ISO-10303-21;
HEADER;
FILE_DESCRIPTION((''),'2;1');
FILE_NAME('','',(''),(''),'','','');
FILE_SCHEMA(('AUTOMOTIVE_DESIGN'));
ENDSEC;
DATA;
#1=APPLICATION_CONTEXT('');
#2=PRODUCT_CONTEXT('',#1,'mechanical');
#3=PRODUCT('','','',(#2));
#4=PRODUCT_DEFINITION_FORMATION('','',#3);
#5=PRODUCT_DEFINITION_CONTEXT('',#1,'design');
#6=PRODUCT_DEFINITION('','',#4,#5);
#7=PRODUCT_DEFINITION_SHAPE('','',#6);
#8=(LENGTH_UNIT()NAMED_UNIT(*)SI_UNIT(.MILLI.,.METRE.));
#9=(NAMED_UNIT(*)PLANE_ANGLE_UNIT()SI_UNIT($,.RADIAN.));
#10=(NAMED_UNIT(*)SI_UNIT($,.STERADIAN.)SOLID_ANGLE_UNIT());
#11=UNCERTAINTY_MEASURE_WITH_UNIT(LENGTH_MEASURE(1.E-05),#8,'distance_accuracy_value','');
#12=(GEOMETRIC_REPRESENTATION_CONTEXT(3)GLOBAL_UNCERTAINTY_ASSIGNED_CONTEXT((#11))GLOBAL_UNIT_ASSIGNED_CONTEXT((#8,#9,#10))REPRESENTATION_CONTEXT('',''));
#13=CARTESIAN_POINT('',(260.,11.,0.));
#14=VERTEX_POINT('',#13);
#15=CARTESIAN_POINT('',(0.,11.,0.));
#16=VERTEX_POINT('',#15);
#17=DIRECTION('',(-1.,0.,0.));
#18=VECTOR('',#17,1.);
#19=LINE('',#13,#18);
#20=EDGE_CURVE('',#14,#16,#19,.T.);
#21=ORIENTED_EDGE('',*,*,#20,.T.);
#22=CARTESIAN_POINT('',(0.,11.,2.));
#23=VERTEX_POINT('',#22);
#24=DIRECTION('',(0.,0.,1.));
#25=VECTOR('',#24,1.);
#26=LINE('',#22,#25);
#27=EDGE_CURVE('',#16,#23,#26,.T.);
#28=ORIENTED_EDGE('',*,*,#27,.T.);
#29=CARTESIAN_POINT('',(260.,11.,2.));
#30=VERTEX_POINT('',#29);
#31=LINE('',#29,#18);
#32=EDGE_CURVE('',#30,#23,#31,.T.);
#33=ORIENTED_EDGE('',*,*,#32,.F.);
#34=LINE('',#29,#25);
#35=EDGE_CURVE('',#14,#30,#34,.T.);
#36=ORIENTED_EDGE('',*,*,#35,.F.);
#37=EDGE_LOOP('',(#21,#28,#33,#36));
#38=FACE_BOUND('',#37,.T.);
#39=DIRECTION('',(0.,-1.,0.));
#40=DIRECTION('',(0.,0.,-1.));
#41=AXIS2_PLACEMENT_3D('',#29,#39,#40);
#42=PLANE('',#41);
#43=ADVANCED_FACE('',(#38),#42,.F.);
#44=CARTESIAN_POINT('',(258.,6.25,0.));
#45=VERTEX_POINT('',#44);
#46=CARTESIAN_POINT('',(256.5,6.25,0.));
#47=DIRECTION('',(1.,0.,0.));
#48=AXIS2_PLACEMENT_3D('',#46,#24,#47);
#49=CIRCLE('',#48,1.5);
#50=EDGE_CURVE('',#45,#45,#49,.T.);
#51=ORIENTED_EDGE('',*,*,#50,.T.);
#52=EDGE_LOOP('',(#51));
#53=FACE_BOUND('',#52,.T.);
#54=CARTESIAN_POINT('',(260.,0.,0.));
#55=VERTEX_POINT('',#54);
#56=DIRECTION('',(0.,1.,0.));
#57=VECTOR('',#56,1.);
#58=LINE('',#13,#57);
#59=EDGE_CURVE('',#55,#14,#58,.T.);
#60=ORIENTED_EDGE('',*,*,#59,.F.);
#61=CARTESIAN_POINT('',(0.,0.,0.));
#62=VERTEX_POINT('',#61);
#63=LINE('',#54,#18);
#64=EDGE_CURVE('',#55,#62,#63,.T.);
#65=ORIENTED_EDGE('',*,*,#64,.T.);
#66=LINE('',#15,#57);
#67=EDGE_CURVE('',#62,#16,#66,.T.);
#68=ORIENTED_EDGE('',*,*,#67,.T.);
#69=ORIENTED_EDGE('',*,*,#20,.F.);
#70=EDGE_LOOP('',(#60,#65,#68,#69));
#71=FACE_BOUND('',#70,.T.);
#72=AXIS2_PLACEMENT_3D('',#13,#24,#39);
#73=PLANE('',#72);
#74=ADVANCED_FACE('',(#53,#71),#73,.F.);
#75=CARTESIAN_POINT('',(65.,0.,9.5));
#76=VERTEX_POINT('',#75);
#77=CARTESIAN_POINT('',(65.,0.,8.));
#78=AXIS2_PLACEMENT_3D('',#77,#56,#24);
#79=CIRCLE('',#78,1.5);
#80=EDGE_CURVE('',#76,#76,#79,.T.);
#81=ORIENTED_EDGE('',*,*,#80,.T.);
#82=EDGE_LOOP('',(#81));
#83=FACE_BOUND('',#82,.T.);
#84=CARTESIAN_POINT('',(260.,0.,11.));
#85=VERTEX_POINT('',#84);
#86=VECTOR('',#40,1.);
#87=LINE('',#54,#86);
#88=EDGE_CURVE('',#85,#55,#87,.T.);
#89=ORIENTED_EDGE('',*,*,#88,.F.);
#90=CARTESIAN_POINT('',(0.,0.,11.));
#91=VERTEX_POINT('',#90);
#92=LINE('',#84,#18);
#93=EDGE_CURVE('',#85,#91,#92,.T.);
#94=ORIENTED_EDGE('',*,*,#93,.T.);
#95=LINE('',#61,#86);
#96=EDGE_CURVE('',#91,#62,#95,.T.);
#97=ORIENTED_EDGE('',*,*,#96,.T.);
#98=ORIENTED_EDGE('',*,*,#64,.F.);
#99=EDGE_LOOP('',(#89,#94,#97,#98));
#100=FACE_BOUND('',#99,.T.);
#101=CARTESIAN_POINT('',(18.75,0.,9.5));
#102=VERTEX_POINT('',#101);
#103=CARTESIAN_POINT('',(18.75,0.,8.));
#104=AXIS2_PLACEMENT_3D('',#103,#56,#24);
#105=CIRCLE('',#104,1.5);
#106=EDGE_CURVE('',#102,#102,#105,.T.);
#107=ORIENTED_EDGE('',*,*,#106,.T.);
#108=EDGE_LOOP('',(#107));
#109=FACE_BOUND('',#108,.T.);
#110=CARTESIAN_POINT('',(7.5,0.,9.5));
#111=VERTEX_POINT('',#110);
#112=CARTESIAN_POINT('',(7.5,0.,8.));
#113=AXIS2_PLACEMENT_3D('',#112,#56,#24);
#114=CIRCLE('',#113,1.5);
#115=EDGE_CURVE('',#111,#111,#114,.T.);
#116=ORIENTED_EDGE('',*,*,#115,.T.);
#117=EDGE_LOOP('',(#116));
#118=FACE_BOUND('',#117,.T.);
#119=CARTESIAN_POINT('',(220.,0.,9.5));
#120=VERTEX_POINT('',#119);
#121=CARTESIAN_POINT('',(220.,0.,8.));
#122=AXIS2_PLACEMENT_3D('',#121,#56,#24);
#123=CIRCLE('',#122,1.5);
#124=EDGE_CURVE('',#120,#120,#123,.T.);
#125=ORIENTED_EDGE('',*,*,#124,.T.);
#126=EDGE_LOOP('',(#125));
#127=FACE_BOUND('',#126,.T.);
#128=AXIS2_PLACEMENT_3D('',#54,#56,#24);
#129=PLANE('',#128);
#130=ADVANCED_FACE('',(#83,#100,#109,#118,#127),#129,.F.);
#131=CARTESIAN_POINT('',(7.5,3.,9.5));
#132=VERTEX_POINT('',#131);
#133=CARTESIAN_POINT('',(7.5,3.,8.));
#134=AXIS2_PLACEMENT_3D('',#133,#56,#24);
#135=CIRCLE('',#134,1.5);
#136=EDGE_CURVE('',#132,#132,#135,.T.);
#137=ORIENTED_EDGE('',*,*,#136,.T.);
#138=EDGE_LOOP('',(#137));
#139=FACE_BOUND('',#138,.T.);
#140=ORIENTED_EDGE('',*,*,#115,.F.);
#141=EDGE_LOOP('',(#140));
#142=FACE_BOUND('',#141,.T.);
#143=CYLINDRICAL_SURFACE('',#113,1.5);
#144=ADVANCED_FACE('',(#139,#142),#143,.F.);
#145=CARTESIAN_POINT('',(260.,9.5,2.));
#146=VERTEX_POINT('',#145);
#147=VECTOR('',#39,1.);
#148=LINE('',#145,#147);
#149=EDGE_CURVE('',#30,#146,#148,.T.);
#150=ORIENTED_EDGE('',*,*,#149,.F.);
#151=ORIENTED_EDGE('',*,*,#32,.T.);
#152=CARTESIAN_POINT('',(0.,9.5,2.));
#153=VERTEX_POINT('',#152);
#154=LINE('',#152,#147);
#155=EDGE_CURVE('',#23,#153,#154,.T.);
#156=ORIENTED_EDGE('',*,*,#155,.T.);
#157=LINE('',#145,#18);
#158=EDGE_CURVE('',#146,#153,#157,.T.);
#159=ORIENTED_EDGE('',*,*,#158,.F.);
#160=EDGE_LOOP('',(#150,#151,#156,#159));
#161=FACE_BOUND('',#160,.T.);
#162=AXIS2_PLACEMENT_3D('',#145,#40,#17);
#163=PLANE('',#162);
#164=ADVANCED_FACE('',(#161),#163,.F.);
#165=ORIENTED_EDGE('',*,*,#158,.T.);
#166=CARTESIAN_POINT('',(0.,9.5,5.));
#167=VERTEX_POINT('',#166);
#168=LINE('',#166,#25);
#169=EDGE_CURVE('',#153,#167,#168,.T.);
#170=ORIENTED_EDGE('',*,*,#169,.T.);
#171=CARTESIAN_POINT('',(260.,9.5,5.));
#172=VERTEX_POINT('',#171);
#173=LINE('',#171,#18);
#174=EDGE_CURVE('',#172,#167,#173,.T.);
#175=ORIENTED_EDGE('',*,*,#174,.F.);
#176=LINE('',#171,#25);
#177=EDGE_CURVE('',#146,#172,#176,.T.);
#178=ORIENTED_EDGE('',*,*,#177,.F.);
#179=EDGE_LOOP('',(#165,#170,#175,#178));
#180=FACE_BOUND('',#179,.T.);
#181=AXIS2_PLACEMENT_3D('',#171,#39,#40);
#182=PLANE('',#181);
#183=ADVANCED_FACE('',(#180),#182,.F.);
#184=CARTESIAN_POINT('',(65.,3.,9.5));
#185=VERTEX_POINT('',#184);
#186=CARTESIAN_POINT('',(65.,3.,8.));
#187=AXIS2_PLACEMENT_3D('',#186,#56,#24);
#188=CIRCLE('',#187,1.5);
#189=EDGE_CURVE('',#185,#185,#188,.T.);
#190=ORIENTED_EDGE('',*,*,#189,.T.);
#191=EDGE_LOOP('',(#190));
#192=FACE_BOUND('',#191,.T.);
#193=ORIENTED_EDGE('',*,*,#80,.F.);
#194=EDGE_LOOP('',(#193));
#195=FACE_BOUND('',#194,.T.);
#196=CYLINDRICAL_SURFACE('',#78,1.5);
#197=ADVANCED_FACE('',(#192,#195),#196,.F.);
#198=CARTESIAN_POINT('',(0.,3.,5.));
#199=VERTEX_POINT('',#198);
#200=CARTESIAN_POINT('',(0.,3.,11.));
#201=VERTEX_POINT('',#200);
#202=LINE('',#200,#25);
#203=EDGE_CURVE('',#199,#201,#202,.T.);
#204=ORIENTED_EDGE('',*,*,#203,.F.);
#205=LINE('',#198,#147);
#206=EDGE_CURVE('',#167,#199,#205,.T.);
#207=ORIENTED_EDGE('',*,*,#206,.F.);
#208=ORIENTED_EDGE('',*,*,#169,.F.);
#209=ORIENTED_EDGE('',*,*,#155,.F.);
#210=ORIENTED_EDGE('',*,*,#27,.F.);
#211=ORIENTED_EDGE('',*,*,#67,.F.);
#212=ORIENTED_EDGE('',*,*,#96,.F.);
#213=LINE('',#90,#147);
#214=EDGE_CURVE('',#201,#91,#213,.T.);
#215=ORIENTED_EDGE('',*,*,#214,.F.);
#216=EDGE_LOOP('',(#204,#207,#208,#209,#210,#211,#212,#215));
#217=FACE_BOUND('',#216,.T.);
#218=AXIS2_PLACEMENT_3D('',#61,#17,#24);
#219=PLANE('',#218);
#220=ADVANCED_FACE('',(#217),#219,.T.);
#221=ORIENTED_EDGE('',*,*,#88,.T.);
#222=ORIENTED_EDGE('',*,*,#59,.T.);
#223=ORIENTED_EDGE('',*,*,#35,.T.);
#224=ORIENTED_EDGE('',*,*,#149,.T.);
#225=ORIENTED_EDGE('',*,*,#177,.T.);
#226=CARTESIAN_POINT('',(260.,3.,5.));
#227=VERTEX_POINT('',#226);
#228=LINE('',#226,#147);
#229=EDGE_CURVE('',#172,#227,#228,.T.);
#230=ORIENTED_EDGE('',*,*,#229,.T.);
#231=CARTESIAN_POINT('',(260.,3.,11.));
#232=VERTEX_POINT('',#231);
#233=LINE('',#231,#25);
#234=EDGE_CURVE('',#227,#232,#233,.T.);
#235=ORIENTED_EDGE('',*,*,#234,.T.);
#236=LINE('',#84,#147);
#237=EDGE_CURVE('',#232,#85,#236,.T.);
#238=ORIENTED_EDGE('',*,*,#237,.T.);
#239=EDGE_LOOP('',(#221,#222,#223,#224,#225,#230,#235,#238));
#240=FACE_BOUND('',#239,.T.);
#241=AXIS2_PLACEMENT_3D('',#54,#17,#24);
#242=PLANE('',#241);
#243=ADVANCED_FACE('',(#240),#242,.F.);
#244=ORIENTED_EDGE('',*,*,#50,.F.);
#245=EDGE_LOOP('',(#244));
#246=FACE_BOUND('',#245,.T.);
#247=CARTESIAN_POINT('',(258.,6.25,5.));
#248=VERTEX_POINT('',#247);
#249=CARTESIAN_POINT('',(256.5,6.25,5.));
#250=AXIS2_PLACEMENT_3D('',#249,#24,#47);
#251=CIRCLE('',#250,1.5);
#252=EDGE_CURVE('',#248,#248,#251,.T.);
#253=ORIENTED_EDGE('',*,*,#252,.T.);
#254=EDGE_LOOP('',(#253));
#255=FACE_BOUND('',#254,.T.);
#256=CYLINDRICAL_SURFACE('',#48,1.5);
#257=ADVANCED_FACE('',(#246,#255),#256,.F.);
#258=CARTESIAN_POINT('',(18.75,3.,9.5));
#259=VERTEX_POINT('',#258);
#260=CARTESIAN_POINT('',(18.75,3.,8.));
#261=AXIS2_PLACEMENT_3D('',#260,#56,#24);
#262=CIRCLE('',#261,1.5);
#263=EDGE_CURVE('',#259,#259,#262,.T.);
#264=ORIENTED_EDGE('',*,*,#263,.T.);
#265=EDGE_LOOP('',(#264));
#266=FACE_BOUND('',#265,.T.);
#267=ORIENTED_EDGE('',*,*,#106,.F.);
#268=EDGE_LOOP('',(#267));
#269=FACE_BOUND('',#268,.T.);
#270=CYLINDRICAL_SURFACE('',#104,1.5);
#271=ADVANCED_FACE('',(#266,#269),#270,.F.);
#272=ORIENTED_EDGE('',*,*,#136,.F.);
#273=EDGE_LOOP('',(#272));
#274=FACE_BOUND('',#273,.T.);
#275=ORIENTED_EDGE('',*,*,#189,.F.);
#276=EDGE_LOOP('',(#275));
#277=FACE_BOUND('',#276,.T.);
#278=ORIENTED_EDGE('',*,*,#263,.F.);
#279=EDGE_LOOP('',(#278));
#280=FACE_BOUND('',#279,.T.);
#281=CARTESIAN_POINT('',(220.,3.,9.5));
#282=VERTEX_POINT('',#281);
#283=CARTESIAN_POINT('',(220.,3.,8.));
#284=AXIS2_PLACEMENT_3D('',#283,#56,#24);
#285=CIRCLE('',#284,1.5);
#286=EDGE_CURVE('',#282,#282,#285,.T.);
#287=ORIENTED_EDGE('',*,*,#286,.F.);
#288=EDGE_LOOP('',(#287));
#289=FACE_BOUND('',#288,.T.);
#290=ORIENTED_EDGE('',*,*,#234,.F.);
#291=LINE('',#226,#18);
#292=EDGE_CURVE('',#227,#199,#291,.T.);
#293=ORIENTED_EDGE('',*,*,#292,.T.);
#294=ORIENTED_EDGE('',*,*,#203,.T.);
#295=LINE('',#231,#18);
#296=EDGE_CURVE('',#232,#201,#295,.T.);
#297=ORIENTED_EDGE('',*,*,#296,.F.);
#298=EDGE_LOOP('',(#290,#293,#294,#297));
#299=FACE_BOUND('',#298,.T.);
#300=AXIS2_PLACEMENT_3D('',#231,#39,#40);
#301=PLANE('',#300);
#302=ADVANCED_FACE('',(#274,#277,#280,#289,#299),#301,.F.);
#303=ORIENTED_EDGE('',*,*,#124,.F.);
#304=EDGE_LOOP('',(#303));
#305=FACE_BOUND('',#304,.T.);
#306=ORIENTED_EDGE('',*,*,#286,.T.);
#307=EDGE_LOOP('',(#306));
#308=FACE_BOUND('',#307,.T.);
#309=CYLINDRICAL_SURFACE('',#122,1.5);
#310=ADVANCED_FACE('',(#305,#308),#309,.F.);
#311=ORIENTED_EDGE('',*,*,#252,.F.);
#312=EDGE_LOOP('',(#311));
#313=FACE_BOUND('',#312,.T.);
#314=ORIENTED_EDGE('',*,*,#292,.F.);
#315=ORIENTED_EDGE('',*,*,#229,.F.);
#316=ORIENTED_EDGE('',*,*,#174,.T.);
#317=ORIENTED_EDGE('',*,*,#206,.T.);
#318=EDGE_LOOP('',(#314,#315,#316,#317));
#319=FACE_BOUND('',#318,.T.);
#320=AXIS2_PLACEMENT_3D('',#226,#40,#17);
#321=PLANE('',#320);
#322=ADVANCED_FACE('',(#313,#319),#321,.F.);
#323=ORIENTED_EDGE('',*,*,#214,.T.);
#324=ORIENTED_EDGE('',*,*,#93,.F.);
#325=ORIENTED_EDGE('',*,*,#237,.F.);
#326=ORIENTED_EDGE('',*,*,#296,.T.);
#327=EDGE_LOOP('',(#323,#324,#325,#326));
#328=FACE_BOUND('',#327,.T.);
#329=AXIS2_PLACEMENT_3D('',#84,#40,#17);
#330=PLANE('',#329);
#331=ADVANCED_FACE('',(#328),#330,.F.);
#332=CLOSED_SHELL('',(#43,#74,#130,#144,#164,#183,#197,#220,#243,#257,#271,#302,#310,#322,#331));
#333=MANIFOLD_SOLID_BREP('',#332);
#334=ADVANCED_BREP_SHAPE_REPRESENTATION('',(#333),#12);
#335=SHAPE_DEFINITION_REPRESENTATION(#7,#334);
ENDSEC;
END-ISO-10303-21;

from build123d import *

# Parameters (mm, degrees)
EXTRUDE_1_DEPTH     = 260
SKETCH_2_R          = 1.5
CUT_EXTRUDE_1_DEPTH = 6
SKETCH_3_R          = 1.5
CUT_EXTRUDE_2_DEPTH = 4
SKETCH_5_R          = 1.5
CUT_EXTRUDE_4_DEPTH = 4


with BuildPart() as part:
    # Эскиз1 → Бобышка-Вытянуть1 (new body)
    with BuildSketch(Plane(origin=(0, 0, 0), x_dir=(0, 0, -1), z_dir=(1, 0, 0))):
        Polygon((0, 0), (-11, 0), (-11, 3), (-5, 3), (-5, 9.5), (-2, 9.5), (-2, 11), (0, 11), align=None)
    extrude(amount=EXTRUDE_1_DEPTH)

    # Эскиз2 → Вырез-Вытянуть1 (cut, through all)
    with BuildSketch(Plane.XY.offset(5)):
        with Locations((256.5, 6.25)):
            Circle(SKETCH_2_R)
    extrude(amount=-CUT_EXTRUDE_1_DEPTH, mode=Mode.SUBTRACT)

    # Эскиз3 → Вырез-Вытянуть2 (cut, through all)
    with BuildSketch(Plane(origin=(0, 3, 0), x_dir=(1, 0, 0), z_dir=(0, 1, 0))):
        with Locations((7.5, -8)):
            Circle(SKETCH_3_R)
        with Locations((18.75, -8)):
            Circle(SKETCH_3_R)
    extrude(amount=-CUT_EXTRUDE_2_DEPTH, mode=Mode.SUBTRACT)

    # Эскиз5 → Вырез-Вытянуть4 (cut, through all)
    with BuildSketch(Plane(origin=(0, 3, 0), x_dir=(1, 0, 0), z_dir=(0, 1, 0))):
        with Locations((65, -8)):
            Circle(SKETCH_5_R)
        with Locations((220, -8)):
            Circle(SKETCH_5_R)
    extrude(amount=-CUT_EXTRUDE_4_DEPTH, mode=Mode.SUBTRACT)


solid = part.part
